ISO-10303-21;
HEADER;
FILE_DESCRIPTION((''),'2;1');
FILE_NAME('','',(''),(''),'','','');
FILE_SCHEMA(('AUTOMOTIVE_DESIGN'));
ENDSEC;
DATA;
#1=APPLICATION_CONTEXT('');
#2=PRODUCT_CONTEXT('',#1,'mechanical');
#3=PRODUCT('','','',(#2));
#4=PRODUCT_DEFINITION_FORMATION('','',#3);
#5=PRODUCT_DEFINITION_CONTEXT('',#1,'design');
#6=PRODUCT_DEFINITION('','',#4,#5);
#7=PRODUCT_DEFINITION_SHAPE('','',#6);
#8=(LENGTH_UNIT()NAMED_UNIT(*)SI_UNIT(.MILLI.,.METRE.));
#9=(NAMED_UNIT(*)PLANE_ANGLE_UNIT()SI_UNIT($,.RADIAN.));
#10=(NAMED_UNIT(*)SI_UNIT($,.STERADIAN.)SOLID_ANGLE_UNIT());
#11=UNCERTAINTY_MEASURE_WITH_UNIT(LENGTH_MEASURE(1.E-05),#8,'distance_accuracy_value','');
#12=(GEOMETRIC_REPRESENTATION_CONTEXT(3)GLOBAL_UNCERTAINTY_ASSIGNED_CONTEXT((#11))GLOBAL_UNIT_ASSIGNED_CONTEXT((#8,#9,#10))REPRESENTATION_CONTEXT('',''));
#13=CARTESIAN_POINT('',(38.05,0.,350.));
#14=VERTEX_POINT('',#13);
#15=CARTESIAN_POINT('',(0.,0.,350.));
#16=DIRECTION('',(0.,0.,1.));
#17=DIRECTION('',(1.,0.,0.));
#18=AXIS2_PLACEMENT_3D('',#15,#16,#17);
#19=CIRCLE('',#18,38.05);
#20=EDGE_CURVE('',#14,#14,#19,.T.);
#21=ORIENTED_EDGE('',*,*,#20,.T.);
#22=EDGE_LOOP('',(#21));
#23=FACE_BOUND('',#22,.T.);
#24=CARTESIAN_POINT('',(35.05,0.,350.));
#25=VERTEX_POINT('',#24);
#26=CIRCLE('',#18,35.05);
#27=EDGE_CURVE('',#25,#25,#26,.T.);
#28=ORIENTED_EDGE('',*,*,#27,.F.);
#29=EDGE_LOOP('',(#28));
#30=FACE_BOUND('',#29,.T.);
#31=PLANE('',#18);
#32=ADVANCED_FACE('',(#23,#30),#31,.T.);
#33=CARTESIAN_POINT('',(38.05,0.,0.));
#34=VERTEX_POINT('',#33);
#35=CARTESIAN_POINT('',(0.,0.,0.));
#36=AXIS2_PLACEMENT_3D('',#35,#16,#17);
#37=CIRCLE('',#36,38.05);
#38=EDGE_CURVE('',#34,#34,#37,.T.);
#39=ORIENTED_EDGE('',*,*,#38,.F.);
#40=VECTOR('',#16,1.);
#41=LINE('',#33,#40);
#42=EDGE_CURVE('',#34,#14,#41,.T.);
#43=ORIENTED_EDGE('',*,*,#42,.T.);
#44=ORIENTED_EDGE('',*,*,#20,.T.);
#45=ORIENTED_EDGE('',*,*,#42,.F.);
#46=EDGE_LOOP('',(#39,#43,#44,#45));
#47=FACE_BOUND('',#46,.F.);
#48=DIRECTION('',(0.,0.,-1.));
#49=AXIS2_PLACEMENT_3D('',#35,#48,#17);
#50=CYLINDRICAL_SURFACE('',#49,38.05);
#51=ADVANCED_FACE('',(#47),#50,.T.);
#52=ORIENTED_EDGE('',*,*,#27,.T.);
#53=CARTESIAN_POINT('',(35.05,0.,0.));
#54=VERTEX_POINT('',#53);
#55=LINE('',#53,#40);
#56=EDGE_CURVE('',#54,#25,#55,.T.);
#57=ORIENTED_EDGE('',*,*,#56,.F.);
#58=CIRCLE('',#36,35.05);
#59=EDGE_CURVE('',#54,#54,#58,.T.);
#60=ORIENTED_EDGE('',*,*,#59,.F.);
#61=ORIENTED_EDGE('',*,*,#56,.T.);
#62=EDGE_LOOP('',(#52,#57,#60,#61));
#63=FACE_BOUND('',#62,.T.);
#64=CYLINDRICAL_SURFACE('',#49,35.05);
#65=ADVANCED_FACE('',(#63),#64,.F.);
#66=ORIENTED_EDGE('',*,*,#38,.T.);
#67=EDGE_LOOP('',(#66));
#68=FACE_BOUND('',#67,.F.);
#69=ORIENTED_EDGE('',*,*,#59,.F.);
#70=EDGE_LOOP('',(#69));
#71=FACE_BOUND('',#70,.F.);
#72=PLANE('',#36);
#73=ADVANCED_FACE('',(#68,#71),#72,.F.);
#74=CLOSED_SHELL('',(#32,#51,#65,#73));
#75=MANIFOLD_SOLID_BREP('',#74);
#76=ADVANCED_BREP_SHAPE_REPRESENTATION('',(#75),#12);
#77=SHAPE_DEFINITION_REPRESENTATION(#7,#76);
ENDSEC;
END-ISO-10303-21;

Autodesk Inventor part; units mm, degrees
ref_plane "YZ Plane" through (0, 0, 0) normal (1, 0, 0) x (0, 1, 0)
ref_plane "XZ Plane" through (0, 0, 0) normal (0, 1, 0) x (-1, 0, 0)
ref_plane "XY Plane" through (0, 0, 0) normal (0, 0, 1) x (1, 0, 0)
sketch "Sketch1" plane through (0, 0, 0) normal (0, 0, 1) x (1, 0, 0)
  circle A0 centre (0, 0) radius 38.05
  circle A1 centre (0, 0) radius 35.05
  dimension "d0" = 76.1
  dimension "d1" = 3
extrude "Extrusion1" add sketch "Sketch1" along normal blind 350
properties part number "MSC 616 belly tube 16"
